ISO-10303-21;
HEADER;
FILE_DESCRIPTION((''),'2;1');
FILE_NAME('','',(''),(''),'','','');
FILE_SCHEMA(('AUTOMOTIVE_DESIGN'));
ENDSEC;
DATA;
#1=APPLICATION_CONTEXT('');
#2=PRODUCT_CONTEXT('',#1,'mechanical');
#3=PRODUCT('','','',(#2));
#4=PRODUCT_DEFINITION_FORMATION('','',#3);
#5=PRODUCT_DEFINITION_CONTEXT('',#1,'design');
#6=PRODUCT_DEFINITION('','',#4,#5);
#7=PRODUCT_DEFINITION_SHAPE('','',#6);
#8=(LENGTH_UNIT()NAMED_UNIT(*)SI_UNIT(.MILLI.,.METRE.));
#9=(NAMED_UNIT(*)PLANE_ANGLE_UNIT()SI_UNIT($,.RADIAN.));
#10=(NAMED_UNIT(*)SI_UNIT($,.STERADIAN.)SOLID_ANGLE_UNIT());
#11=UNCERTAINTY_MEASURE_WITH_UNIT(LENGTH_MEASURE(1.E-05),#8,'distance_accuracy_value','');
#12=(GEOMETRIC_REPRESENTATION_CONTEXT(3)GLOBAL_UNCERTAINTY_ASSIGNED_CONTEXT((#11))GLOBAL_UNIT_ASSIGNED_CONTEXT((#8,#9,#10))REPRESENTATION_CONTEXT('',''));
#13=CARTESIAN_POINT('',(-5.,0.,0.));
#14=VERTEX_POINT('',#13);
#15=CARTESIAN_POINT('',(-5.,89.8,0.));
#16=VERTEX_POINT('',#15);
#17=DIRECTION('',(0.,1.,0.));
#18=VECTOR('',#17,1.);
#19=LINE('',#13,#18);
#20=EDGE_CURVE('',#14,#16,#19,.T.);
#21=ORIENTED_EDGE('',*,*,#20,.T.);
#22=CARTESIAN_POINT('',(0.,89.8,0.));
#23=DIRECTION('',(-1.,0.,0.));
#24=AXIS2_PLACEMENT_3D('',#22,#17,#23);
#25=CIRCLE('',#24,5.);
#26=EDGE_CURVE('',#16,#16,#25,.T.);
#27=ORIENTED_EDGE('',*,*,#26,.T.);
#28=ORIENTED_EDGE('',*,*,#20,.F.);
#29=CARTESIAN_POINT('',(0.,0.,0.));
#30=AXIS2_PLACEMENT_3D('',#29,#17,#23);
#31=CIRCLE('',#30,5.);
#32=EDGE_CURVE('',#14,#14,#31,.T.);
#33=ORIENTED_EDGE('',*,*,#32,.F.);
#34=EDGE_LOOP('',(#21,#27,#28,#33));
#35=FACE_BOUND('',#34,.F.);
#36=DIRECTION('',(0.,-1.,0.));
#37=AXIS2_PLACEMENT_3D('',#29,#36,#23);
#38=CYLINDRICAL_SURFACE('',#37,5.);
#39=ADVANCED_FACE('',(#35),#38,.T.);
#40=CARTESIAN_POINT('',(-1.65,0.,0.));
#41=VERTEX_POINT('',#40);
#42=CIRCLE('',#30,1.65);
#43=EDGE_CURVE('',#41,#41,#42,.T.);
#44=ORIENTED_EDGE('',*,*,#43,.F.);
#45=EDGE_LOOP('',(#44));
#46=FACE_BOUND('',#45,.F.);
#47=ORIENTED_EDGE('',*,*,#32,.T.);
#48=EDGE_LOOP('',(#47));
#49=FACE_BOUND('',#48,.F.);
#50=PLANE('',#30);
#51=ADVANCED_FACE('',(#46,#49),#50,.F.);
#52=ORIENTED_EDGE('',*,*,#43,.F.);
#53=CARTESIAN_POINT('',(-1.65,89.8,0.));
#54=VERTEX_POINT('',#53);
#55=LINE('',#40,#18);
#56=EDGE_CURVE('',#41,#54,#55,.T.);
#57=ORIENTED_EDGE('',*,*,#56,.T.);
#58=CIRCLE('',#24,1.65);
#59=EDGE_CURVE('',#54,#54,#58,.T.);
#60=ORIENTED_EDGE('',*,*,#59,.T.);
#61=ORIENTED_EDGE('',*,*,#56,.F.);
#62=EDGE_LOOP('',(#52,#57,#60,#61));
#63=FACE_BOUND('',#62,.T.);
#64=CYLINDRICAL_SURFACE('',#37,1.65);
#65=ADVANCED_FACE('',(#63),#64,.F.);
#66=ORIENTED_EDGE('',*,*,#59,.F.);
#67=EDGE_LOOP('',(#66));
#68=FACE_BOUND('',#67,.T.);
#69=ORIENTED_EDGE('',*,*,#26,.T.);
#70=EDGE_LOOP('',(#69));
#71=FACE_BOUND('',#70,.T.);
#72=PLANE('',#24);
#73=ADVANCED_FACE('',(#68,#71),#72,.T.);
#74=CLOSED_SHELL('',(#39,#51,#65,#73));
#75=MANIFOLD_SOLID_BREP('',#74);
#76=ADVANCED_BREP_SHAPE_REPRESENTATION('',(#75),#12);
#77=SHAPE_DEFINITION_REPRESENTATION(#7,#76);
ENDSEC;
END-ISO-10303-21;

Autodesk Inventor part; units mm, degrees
ref_plane "YZ Plane" through (0, 0, 0) normal (1, 0, 0) x (0, 1, 0)
ref_plane "XZ Plane" through (0, 0, 0) normal (0, 1, 0) x (-1, 0, 0)
ref_plane "XY Plane" through (0, 0, 0) normal (0, 0, 1) x (1, 0, 0)
sketch "スケッチ1" plane through (0, 0, 0) normal (0, 1, 0) x (-1, 0, 0)
  circle A0 centre (0, 0) radius 1.65
  circle A1 centre (0, 0) radius 5
  dimension "d0" = 3.3
  dimension "d1" = 10
extrude "押し出し1" add sketch "スケッチ1" along normal blind 89.8
properties part number "elbow_upper_plate_spacer"
